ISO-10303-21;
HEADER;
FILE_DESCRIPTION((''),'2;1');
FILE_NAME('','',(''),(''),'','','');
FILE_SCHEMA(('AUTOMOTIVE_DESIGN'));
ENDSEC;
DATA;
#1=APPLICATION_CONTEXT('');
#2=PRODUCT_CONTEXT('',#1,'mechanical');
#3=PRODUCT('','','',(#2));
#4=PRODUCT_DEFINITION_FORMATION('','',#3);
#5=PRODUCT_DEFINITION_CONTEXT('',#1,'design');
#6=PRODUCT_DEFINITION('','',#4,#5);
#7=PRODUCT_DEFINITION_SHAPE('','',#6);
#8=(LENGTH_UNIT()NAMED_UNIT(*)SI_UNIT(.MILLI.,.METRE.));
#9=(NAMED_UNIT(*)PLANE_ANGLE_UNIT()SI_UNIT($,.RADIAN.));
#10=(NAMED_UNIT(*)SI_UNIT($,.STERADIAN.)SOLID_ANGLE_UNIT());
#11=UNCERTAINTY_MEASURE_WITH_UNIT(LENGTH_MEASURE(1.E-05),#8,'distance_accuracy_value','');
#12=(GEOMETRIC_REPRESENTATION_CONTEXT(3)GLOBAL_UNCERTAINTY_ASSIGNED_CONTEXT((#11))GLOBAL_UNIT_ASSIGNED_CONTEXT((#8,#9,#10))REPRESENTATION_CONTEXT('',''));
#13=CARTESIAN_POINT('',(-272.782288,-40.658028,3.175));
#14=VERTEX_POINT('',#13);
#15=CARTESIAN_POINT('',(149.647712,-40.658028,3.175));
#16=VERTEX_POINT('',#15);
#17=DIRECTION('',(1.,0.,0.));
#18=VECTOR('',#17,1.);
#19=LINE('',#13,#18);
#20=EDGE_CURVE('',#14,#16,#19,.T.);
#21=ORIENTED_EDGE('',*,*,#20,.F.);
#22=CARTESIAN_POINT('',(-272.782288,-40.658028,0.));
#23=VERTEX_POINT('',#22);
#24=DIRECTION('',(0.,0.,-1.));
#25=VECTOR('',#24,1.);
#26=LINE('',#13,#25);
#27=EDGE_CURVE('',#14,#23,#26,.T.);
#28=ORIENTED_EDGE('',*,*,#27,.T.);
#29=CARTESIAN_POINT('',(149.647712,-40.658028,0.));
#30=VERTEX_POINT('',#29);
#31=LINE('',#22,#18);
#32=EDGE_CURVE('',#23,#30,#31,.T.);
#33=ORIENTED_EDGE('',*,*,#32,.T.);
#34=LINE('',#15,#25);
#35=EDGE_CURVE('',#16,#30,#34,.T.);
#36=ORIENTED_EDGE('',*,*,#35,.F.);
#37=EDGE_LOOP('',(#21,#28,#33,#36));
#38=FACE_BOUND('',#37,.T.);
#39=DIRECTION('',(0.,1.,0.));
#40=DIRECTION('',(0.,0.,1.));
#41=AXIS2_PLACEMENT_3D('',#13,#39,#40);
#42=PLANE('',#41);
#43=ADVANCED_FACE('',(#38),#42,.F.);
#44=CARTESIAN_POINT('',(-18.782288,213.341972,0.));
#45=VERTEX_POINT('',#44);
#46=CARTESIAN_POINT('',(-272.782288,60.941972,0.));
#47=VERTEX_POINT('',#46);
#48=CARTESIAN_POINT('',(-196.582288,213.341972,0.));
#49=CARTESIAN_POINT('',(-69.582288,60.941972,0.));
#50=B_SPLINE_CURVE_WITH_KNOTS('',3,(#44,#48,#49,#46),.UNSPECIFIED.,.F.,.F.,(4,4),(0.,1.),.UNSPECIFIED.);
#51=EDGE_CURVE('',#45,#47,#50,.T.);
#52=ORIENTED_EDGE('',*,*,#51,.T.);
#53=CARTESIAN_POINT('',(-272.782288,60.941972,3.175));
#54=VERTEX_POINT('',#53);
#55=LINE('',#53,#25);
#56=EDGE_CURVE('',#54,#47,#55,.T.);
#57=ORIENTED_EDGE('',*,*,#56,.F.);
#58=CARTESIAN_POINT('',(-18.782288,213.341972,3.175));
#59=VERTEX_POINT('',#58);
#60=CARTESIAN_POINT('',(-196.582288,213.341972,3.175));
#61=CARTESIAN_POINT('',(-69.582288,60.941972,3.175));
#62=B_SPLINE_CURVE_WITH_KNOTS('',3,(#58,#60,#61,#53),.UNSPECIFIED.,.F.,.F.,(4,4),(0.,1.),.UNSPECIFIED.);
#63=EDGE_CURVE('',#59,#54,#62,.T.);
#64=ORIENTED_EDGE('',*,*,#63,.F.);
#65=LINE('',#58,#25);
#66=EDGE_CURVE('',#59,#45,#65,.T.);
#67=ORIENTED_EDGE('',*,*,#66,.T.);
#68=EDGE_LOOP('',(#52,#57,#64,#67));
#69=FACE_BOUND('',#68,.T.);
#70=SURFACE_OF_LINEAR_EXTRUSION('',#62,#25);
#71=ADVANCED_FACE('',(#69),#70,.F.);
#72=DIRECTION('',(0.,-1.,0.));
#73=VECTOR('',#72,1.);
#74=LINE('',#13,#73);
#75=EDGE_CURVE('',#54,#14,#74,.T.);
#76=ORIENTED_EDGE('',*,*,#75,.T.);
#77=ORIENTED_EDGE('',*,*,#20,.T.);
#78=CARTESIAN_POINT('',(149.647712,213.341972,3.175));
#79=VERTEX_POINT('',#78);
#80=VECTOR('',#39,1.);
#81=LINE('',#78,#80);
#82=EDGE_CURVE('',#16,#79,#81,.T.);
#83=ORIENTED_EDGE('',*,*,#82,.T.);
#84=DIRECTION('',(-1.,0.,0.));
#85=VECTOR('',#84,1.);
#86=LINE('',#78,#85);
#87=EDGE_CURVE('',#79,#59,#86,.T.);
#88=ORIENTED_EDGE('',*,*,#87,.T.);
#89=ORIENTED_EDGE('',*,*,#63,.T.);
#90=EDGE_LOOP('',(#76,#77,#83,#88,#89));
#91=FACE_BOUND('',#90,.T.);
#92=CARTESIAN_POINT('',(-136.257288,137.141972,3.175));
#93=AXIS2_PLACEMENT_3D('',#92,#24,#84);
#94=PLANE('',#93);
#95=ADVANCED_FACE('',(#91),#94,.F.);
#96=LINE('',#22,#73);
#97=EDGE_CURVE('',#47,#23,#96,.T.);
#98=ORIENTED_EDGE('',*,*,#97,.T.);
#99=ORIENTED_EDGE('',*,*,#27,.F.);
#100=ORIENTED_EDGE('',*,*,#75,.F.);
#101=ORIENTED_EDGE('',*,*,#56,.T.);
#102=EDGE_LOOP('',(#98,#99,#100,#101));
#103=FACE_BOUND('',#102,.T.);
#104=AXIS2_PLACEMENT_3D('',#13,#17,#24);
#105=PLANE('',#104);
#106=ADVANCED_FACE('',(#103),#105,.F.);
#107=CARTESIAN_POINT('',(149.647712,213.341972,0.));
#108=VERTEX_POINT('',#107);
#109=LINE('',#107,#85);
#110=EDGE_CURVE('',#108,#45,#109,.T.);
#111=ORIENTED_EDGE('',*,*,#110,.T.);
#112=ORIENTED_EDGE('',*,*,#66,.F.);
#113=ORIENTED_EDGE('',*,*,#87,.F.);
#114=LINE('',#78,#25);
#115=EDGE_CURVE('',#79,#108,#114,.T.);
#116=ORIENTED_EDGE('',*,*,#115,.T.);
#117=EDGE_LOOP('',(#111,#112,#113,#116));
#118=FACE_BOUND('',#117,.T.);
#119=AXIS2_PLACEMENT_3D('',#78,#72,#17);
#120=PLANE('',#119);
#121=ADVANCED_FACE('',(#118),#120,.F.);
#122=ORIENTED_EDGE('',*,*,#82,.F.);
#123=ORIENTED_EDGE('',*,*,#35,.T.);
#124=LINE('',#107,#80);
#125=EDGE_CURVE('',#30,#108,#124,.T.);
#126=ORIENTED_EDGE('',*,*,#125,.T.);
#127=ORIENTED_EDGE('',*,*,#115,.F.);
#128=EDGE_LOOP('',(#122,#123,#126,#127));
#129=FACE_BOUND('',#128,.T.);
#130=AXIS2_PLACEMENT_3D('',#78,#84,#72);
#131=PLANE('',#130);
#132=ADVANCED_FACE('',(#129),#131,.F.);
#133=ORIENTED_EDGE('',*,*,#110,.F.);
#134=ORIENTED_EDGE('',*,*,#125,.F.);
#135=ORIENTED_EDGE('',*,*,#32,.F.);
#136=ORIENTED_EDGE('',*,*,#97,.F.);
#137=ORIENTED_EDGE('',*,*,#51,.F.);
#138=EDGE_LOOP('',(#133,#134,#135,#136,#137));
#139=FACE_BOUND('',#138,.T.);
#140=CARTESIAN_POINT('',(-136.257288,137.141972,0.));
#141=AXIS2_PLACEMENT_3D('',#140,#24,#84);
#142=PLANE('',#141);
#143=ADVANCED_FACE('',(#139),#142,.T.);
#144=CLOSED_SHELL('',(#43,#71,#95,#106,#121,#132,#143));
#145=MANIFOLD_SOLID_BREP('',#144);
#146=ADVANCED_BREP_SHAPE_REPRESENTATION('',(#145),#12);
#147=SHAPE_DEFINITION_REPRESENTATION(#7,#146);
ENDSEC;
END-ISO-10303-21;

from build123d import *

# Parameters (mm, degrees)
BOSS_EXTRUDE1_DEPTH = 3.175


with BuildPart() as part:
    # Sketch1 → Boss-Extrude1 (new body)
    with BuildSketch(Plane.XY):
        with BuildLine():
            Line((149.647712361, 213.341972064), (-18.782287639, 213.341972064))
            add(Edge.make_bspline(
                [(-18.782287639, 213.341972064), (-196.582287639, 213.341972064), (-69.582287639, 60.941972064), (-272.782287639, 60.941972064)],
                knots=[0, 0, 0, 0, 1, 1, 1, 1], degree=3))
            Line((-272.782287639, 60.941972064), (-272.782287639, -40.658027936))
            Line((-272.782287639, -40.658027936), (149.647712361, -40.658027936))
            Line((149.647712361, -40.658027936), (149.647712361, 213.341972064))
        make_face()
    extrude(amount=BOSS_EXTRUDE1_DEPTH)


solid = part.part
